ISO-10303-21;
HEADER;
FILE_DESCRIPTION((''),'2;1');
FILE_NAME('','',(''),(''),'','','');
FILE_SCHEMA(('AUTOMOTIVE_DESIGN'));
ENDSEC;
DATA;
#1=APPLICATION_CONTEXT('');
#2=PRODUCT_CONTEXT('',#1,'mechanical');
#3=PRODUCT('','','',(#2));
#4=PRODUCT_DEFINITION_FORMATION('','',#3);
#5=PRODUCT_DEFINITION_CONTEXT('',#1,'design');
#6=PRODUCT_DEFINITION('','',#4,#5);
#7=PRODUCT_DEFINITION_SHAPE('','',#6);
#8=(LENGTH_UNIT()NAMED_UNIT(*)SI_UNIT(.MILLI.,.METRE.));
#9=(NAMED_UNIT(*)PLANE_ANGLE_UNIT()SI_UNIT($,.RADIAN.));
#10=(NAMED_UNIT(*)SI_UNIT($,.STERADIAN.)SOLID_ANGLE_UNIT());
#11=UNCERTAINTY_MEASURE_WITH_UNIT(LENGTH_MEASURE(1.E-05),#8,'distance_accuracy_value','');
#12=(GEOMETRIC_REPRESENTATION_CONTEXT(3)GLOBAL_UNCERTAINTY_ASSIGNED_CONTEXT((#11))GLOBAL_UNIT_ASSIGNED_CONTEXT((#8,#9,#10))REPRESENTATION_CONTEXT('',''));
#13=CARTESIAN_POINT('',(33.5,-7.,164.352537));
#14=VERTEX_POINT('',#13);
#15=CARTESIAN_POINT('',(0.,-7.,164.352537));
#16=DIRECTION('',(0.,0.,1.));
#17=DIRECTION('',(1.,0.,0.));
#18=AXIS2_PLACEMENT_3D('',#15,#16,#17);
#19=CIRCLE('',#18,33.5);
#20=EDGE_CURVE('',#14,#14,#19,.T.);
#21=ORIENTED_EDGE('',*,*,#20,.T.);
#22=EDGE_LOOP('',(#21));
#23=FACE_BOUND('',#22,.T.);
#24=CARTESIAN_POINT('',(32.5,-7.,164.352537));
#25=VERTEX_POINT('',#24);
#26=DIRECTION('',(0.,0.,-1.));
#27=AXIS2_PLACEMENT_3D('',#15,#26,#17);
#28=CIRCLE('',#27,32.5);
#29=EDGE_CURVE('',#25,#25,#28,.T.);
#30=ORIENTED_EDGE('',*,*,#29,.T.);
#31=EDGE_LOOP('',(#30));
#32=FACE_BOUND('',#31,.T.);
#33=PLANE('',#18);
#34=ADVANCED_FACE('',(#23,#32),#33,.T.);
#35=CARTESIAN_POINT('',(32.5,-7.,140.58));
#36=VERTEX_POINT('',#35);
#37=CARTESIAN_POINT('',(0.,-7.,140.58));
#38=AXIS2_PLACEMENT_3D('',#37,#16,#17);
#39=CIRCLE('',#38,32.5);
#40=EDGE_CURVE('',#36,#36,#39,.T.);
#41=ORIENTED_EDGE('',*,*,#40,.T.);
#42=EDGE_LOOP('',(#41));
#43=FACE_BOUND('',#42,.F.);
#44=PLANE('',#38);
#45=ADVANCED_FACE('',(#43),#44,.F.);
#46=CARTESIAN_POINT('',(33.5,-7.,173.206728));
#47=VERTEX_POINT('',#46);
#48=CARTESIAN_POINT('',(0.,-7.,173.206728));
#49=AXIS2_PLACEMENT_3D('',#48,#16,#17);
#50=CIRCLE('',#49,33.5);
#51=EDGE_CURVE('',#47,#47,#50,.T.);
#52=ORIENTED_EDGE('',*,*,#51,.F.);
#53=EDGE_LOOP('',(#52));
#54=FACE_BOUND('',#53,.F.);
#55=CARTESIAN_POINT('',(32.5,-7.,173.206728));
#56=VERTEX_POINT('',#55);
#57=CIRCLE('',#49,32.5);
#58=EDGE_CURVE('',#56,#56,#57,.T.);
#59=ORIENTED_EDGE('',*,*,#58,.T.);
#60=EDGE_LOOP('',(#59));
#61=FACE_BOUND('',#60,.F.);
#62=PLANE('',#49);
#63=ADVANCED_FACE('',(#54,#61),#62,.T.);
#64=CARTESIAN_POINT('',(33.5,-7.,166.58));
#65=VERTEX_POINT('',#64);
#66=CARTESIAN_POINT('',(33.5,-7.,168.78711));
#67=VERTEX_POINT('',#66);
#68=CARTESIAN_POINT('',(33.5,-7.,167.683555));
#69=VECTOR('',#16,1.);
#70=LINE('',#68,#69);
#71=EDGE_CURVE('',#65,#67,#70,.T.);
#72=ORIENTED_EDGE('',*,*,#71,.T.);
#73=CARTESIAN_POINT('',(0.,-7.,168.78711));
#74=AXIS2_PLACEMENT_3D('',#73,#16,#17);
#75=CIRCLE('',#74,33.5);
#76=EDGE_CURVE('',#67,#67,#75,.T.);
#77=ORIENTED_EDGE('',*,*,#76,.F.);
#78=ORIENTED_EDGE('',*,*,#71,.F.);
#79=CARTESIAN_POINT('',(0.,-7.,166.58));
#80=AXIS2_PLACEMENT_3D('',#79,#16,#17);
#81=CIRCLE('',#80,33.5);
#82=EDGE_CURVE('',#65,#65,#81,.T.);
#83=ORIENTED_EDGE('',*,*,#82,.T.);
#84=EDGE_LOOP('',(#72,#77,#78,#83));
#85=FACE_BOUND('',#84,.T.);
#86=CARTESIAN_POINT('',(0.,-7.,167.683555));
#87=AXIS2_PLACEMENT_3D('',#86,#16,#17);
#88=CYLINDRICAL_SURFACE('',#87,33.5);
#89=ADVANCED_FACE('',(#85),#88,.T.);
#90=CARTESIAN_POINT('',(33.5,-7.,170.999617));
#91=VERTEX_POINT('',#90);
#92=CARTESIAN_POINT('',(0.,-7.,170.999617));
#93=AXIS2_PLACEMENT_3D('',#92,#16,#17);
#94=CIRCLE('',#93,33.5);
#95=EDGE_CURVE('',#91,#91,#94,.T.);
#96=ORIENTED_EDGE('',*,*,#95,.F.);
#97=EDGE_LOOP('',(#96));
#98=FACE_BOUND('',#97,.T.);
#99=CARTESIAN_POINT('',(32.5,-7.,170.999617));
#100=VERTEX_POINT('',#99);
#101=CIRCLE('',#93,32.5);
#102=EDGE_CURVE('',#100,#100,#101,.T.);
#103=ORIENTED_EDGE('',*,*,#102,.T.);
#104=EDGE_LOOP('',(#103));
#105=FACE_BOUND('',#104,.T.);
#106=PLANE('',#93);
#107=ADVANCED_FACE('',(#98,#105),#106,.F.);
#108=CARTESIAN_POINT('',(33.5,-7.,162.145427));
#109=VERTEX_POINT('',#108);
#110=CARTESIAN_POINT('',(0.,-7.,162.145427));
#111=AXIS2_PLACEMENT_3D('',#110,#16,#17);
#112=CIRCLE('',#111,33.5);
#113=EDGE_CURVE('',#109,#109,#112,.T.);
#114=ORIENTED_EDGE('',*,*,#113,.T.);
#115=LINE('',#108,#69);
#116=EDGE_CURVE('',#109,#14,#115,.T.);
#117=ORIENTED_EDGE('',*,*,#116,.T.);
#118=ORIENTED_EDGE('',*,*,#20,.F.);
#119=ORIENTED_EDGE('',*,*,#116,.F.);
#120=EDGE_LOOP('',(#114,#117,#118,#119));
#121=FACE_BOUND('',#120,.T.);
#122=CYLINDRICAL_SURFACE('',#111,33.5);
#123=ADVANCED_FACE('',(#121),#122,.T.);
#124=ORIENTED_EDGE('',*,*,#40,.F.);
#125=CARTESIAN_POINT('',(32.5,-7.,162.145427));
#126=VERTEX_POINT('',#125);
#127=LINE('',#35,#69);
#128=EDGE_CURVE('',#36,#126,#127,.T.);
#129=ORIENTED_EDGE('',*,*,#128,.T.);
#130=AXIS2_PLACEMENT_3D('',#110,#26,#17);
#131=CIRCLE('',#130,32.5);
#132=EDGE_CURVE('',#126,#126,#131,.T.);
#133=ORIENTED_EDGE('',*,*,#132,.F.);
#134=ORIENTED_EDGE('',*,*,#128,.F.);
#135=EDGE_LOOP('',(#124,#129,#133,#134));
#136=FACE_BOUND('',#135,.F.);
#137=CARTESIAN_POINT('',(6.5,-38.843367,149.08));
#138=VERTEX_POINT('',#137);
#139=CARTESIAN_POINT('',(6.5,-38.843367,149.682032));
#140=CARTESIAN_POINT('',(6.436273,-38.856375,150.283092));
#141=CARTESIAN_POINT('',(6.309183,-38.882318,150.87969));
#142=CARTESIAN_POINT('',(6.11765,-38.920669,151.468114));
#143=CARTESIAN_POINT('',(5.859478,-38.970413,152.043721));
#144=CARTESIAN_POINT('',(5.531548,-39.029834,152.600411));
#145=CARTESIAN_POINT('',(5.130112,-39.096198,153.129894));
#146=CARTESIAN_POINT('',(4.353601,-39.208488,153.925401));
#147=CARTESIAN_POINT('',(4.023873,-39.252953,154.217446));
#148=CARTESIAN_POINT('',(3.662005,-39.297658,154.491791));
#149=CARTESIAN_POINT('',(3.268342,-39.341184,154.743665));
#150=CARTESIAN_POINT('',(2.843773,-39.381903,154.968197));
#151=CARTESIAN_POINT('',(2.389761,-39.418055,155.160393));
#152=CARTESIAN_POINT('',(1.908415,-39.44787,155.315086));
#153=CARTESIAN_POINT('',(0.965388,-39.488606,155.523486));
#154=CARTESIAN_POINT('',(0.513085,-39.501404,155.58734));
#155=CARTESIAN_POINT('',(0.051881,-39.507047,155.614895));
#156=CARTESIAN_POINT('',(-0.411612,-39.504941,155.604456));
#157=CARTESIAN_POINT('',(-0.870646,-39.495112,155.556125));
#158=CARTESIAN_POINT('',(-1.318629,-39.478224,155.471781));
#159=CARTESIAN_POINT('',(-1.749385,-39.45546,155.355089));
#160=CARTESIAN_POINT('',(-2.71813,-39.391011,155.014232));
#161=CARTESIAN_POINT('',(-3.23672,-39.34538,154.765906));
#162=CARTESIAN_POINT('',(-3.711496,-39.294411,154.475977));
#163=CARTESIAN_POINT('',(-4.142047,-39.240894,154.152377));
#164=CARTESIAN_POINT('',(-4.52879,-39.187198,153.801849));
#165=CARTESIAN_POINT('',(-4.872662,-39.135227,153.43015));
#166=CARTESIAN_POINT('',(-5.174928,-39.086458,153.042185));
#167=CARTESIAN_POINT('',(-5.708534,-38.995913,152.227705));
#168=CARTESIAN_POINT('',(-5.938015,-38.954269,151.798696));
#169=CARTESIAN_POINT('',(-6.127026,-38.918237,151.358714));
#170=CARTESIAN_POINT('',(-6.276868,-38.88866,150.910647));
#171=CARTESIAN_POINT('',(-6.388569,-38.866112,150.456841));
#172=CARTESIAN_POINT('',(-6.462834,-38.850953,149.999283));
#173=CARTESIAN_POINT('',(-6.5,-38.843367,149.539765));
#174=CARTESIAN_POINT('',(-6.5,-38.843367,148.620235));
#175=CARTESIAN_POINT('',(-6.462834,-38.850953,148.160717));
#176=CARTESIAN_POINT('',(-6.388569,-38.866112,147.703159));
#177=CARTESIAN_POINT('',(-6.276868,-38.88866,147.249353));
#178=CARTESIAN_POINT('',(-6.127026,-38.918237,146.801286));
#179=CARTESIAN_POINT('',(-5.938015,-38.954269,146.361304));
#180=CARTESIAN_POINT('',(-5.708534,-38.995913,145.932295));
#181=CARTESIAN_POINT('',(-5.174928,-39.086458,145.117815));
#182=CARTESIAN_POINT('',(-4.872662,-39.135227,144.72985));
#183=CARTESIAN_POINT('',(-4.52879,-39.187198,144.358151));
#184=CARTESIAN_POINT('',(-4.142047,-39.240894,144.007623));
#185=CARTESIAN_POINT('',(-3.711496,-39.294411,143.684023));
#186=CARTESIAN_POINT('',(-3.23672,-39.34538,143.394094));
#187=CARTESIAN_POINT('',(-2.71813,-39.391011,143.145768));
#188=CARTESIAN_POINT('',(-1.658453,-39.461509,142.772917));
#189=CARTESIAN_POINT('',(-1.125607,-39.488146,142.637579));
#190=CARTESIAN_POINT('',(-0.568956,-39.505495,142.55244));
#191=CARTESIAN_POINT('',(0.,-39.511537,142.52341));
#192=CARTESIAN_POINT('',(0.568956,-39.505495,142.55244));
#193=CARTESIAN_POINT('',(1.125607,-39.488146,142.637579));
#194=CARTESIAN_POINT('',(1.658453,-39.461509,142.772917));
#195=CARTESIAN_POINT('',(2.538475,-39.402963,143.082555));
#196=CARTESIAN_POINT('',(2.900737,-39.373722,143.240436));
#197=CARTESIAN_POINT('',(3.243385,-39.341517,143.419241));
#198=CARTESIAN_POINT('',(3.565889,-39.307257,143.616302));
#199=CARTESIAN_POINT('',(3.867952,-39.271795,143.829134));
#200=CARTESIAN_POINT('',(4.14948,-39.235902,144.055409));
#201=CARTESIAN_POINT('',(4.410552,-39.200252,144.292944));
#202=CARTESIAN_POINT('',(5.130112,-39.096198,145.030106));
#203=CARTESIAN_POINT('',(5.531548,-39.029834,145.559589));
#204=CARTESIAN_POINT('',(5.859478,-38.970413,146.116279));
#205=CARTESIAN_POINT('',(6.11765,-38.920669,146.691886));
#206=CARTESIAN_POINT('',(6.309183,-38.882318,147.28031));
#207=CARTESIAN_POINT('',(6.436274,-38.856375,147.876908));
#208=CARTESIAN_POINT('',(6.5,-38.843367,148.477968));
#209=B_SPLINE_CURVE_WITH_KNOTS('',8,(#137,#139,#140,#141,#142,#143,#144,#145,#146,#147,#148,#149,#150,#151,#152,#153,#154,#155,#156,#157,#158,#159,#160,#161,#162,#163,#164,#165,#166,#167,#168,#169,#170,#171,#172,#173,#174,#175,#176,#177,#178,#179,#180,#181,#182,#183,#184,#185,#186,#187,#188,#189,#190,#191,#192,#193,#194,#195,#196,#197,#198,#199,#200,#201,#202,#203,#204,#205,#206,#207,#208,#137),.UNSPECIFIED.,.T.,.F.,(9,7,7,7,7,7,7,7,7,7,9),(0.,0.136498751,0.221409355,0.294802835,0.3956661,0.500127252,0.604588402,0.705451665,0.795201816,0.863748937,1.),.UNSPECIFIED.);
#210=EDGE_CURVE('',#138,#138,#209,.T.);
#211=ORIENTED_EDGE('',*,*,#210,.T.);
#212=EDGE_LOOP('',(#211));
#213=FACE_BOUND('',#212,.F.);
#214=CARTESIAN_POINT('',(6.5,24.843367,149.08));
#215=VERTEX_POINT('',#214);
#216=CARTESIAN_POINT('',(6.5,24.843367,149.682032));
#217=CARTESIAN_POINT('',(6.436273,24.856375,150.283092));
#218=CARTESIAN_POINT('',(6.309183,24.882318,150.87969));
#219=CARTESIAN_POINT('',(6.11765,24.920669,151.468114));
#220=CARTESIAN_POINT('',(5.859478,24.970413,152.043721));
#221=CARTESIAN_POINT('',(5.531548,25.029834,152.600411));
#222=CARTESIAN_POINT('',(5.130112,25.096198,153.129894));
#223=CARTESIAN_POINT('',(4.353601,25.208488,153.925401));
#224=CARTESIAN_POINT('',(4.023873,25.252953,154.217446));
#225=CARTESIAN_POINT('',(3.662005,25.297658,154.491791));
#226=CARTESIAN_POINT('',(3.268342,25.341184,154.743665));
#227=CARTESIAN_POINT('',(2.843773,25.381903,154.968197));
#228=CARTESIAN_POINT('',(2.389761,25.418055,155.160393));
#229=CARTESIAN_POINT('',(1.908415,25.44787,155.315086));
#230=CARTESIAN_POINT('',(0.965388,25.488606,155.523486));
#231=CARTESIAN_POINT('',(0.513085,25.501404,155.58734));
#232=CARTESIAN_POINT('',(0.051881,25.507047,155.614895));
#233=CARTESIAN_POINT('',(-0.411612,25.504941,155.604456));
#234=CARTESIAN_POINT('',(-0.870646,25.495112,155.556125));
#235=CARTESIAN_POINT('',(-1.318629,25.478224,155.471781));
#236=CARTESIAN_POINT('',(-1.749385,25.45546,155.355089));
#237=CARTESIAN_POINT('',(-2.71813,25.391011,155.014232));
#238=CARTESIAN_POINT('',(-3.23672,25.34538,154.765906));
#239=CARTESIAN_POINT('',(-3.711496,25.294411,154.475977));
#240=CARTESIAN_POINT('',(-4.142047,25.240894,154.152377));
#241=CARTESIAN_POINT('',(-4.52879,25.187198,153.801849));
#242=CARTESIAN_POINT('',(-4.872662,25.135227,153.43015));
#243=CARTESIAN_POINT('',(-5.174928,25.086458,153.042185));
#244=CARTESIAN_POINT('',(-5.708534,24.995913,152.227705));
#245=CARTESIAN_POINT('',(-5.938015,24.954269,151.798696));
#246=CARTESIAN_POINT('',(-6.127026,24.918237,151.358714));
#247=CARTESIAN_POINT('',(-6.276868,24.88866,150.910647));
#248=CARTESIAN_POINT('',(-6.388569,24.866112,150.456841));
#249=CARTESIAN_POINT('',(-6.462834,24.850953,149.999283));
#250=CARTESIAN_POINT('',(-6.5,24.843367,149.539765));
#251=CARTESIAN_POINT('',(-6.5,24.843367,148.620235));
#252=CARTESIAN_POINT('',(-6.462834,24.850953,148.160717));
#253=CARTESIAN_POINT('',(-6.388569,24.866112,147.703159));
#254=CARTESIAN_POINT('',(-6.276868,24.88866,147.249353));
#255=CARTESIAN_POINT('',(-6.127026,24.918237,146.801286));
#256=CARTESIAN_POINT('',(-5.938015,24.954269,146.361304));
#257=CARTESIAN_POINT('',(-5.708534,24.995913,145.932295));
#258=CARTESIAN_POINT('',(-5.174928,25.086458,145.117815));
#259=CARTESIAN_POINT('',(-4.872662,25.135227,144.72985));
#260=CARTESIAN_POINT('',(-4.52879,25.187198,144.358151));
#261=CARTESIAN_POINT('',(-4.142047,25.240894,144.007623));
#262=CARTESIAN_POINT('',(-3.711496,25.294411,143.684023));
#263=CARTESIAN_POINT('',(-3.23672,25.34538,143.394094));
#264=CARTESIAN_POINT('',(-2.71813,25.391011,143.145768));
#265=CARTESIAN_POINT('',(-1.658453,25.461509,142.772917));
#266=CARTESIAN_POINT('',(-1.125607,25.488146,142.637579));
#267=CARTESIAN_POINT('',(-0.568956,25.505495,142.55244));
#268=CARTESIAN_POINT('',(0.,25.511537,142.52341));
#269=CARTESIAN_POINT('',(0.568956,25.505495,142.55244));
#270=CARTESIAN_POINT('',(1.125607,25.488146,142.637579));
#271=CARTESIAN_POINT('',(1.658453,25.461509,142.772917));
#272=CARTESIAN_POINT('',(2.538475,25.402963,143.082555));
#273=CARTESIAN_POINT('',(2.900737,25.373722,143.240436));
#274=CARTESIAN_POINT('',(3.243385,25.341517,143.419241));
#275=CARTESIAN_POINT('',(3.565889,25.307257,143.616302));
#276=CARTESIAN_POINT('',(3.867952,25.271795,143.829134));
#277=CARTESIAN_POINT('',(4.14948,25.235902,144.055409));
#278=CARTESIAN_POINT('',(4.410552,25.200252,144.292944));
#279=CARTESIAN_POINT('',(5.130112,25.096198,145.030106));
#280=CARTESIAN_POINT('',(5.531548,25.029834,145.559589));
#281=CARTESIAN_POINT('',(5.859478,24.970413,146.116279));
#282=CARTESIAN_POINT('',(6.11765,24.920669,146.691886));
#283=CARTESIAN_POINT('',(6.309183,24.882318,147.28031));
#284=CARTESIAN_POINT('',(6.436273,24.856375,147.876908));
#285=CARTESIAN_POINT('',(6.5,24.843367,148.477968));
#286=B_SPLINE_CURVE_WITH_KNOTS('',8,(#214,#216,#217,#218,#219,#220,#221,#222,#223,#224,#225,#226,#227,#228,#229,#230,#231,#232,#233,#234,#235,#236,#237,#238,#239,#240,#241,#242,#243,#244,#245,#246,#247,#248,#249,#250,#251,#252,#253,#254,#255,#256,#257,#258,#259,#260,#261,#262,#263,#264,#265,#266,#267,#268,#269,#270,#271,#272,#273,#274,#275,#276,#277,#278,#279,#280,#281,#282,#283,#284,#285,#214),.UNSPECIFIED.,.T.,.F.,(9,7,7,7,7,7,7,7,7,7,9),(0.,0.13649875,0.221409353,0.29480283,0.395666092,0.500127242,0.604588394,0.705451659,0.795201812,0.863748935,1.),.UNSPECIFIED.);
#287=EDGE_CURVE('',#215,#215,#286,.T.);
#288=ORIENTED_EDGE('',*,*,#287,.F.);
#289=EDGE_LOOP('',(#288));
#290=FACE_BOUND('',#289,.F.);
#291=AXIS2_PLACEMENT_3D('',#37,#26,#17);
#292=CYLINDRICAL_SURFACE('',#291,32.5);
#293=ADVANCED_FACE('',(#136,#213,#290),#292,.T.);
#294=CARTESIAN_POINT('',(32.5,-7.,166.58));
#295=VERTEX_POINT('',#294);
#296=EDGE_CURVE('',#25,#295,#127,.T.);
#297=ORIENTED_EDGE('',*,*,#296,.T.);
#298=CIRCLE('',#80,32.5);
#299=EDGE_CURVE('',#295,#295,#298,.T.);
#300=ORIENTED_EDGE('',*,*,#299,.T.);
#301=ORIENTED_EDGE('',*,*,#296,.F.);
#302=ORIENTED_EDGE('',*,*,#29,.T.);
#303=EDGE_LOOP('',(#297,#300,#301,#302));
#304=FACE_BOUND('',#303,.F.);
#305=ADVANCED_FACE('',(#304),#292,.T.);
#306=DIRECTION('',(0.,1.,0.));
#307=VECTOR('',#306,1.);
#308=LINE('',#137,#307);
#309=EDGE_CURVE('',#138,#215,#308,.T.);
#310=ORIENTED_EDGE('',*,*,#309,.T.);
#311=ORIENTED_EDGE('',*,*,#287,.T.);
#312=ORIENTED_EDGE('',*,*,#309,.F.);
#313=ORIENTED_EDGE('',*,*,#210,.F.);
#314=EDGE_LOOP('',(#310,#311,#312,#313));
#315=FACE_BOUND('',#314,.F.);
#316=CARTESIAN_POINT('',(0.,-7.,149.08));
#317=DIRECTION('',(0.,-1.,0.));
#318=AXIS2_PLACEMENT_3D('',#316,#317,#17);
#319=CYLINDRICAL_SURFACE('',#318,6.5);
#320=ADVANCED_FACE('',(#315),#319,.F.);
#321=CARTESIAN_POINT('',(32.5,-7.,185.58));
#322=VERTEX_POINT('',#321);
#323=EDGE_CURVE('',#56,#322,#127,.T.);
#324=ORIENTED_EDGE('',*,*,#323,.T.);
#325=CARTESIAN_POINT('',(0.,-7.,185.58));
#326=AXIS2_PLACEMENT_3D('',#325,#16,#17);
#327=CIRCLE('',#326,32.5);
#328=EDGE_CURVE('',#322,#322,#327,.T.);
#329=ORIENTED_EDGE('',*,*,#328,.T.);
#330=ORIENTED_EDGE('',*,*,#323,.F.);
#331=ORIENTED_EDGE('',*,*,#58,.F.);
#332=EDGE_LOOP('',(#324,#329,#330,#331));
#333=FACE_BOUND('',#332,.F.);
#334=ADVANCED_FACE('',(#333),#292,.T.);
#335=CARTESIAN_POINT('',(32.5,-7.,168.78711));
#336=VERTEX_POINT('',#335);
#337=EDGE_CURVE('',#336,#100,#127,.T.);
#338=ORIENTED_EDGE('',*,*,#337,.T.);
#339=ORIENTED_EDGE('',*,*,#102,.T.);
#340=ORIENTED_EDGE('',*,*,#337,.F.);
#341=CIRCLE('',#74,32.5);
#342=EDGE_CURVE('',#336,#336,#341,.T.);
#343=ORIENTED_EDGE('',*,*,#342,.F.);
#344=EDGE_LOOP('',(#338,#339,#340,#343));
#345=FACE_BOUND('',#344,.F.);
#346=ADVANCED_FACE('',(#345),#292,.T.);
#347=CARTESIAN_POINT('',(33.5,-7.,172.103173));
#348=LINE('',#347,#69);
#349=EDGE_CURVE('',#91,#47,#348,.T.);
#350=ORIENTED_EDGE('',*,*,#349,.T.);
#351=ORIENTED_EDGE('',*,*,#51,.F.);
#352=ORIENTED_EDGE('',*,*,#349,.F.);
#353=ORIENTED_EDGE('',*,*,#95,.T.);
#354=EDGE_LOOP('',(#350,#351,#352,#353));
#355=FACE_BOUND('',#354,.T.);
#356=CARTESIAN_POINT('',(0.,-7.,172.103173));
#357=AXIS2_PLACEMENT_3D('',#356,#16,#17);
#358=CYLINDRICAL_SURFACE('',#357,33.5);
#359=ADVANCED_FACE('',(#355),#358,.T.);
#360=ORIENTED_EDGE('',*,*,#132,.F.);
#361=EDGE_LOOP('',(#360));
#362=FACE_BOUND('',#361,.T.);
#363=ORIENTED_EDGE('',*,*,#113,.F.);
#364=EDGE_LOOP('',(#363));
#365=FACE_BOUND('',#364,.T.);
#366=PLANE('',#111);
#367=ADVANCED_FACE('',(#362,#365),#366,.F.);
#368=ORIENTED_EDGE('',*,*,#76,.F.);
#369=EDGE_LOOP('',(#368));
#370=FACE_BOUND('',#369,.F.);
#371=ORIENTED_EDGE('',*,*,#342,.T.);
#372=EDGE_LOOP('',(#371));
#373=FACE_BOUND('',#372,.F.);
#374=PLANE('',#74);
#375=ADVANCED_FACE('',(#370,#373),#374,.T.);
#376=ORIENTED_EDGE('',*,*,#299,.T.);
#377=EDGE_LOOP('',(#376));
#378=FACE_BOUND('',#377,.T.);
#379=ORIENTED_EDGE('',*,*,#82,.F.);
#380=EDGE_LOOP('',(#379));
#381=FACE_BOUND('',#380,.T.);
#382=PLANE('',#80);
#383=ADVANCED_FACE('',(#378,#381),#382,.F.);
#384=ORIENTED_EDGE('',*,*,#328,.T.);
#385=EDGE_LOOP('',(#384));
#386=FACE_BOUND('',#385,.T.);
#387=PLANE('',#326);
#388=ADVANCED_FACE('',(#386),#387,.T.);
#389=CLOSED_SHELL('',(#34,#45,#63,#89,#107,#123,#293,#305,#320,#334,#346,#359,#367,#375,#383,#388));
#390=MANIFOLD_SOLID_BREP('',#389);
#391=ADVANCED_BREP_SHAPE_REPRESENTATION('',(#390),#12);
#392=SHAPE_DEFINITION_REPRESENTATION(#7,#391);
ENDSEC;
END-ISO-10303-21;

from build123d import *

# Parameters (mm, degrees)
SKETCH010_R          = 32.5
PAD005_DEPTH         = 45
SKETCH011_R          = 6.5
POCKET006_DEPTH      = 32.501
POCKET006_DEPTH_BACK = 32.501
SKETCH013_W          = 1
SKETCH013_H          = 2.20711
SKETCH013_H_2        = 2.207111


with BuildPart() as part:
    # Sketch010 → Pad005 (new body)
    with BuildSketch(Plane.XY):
        Circle(SKETCH010_R)
    extrude(amount=PAD005_DEPTH)

    # Sketch011 → Pocket006 (cut, two sides)
    with BuildSketch(Plane.XZ) as pocket006_sk:
        with Locations((0, 8.5)):
            Circle(SKETCH011_R)
    extrude(amount=-POCKET006_DEPTH, mode=Mode.SUBTRACT)
    extrude(pocket006_sk.sketch, amount=POCKET006_DEPTH_BACK, mode=Mode.SUBTRACT)

    # Sketch013 → Revolution (revolve)
    with BuildSketch(Plane.XZ):
        Polygon((32.492016, 21.565427), (33.5, 21.565427), (33.5, 23.772537), (32.487373, 23.772537), align=None)
        with Locations((33, 27.103555)):
            Rectangle(SKETCH013_W, SKETCH013_H)
        with Locations((33, 31.523173)):
            Rectangle(SKETCH013_W, SKETCH013_H_2)
    revolve(axis=Axis((0, 0, 0), (0, 0, 1)))


with BuildPart() as part_1:
    # Body003 placement: moved
    add(part.part.moved(Location((0, -7, 140.58))))


solid = part_1.part
